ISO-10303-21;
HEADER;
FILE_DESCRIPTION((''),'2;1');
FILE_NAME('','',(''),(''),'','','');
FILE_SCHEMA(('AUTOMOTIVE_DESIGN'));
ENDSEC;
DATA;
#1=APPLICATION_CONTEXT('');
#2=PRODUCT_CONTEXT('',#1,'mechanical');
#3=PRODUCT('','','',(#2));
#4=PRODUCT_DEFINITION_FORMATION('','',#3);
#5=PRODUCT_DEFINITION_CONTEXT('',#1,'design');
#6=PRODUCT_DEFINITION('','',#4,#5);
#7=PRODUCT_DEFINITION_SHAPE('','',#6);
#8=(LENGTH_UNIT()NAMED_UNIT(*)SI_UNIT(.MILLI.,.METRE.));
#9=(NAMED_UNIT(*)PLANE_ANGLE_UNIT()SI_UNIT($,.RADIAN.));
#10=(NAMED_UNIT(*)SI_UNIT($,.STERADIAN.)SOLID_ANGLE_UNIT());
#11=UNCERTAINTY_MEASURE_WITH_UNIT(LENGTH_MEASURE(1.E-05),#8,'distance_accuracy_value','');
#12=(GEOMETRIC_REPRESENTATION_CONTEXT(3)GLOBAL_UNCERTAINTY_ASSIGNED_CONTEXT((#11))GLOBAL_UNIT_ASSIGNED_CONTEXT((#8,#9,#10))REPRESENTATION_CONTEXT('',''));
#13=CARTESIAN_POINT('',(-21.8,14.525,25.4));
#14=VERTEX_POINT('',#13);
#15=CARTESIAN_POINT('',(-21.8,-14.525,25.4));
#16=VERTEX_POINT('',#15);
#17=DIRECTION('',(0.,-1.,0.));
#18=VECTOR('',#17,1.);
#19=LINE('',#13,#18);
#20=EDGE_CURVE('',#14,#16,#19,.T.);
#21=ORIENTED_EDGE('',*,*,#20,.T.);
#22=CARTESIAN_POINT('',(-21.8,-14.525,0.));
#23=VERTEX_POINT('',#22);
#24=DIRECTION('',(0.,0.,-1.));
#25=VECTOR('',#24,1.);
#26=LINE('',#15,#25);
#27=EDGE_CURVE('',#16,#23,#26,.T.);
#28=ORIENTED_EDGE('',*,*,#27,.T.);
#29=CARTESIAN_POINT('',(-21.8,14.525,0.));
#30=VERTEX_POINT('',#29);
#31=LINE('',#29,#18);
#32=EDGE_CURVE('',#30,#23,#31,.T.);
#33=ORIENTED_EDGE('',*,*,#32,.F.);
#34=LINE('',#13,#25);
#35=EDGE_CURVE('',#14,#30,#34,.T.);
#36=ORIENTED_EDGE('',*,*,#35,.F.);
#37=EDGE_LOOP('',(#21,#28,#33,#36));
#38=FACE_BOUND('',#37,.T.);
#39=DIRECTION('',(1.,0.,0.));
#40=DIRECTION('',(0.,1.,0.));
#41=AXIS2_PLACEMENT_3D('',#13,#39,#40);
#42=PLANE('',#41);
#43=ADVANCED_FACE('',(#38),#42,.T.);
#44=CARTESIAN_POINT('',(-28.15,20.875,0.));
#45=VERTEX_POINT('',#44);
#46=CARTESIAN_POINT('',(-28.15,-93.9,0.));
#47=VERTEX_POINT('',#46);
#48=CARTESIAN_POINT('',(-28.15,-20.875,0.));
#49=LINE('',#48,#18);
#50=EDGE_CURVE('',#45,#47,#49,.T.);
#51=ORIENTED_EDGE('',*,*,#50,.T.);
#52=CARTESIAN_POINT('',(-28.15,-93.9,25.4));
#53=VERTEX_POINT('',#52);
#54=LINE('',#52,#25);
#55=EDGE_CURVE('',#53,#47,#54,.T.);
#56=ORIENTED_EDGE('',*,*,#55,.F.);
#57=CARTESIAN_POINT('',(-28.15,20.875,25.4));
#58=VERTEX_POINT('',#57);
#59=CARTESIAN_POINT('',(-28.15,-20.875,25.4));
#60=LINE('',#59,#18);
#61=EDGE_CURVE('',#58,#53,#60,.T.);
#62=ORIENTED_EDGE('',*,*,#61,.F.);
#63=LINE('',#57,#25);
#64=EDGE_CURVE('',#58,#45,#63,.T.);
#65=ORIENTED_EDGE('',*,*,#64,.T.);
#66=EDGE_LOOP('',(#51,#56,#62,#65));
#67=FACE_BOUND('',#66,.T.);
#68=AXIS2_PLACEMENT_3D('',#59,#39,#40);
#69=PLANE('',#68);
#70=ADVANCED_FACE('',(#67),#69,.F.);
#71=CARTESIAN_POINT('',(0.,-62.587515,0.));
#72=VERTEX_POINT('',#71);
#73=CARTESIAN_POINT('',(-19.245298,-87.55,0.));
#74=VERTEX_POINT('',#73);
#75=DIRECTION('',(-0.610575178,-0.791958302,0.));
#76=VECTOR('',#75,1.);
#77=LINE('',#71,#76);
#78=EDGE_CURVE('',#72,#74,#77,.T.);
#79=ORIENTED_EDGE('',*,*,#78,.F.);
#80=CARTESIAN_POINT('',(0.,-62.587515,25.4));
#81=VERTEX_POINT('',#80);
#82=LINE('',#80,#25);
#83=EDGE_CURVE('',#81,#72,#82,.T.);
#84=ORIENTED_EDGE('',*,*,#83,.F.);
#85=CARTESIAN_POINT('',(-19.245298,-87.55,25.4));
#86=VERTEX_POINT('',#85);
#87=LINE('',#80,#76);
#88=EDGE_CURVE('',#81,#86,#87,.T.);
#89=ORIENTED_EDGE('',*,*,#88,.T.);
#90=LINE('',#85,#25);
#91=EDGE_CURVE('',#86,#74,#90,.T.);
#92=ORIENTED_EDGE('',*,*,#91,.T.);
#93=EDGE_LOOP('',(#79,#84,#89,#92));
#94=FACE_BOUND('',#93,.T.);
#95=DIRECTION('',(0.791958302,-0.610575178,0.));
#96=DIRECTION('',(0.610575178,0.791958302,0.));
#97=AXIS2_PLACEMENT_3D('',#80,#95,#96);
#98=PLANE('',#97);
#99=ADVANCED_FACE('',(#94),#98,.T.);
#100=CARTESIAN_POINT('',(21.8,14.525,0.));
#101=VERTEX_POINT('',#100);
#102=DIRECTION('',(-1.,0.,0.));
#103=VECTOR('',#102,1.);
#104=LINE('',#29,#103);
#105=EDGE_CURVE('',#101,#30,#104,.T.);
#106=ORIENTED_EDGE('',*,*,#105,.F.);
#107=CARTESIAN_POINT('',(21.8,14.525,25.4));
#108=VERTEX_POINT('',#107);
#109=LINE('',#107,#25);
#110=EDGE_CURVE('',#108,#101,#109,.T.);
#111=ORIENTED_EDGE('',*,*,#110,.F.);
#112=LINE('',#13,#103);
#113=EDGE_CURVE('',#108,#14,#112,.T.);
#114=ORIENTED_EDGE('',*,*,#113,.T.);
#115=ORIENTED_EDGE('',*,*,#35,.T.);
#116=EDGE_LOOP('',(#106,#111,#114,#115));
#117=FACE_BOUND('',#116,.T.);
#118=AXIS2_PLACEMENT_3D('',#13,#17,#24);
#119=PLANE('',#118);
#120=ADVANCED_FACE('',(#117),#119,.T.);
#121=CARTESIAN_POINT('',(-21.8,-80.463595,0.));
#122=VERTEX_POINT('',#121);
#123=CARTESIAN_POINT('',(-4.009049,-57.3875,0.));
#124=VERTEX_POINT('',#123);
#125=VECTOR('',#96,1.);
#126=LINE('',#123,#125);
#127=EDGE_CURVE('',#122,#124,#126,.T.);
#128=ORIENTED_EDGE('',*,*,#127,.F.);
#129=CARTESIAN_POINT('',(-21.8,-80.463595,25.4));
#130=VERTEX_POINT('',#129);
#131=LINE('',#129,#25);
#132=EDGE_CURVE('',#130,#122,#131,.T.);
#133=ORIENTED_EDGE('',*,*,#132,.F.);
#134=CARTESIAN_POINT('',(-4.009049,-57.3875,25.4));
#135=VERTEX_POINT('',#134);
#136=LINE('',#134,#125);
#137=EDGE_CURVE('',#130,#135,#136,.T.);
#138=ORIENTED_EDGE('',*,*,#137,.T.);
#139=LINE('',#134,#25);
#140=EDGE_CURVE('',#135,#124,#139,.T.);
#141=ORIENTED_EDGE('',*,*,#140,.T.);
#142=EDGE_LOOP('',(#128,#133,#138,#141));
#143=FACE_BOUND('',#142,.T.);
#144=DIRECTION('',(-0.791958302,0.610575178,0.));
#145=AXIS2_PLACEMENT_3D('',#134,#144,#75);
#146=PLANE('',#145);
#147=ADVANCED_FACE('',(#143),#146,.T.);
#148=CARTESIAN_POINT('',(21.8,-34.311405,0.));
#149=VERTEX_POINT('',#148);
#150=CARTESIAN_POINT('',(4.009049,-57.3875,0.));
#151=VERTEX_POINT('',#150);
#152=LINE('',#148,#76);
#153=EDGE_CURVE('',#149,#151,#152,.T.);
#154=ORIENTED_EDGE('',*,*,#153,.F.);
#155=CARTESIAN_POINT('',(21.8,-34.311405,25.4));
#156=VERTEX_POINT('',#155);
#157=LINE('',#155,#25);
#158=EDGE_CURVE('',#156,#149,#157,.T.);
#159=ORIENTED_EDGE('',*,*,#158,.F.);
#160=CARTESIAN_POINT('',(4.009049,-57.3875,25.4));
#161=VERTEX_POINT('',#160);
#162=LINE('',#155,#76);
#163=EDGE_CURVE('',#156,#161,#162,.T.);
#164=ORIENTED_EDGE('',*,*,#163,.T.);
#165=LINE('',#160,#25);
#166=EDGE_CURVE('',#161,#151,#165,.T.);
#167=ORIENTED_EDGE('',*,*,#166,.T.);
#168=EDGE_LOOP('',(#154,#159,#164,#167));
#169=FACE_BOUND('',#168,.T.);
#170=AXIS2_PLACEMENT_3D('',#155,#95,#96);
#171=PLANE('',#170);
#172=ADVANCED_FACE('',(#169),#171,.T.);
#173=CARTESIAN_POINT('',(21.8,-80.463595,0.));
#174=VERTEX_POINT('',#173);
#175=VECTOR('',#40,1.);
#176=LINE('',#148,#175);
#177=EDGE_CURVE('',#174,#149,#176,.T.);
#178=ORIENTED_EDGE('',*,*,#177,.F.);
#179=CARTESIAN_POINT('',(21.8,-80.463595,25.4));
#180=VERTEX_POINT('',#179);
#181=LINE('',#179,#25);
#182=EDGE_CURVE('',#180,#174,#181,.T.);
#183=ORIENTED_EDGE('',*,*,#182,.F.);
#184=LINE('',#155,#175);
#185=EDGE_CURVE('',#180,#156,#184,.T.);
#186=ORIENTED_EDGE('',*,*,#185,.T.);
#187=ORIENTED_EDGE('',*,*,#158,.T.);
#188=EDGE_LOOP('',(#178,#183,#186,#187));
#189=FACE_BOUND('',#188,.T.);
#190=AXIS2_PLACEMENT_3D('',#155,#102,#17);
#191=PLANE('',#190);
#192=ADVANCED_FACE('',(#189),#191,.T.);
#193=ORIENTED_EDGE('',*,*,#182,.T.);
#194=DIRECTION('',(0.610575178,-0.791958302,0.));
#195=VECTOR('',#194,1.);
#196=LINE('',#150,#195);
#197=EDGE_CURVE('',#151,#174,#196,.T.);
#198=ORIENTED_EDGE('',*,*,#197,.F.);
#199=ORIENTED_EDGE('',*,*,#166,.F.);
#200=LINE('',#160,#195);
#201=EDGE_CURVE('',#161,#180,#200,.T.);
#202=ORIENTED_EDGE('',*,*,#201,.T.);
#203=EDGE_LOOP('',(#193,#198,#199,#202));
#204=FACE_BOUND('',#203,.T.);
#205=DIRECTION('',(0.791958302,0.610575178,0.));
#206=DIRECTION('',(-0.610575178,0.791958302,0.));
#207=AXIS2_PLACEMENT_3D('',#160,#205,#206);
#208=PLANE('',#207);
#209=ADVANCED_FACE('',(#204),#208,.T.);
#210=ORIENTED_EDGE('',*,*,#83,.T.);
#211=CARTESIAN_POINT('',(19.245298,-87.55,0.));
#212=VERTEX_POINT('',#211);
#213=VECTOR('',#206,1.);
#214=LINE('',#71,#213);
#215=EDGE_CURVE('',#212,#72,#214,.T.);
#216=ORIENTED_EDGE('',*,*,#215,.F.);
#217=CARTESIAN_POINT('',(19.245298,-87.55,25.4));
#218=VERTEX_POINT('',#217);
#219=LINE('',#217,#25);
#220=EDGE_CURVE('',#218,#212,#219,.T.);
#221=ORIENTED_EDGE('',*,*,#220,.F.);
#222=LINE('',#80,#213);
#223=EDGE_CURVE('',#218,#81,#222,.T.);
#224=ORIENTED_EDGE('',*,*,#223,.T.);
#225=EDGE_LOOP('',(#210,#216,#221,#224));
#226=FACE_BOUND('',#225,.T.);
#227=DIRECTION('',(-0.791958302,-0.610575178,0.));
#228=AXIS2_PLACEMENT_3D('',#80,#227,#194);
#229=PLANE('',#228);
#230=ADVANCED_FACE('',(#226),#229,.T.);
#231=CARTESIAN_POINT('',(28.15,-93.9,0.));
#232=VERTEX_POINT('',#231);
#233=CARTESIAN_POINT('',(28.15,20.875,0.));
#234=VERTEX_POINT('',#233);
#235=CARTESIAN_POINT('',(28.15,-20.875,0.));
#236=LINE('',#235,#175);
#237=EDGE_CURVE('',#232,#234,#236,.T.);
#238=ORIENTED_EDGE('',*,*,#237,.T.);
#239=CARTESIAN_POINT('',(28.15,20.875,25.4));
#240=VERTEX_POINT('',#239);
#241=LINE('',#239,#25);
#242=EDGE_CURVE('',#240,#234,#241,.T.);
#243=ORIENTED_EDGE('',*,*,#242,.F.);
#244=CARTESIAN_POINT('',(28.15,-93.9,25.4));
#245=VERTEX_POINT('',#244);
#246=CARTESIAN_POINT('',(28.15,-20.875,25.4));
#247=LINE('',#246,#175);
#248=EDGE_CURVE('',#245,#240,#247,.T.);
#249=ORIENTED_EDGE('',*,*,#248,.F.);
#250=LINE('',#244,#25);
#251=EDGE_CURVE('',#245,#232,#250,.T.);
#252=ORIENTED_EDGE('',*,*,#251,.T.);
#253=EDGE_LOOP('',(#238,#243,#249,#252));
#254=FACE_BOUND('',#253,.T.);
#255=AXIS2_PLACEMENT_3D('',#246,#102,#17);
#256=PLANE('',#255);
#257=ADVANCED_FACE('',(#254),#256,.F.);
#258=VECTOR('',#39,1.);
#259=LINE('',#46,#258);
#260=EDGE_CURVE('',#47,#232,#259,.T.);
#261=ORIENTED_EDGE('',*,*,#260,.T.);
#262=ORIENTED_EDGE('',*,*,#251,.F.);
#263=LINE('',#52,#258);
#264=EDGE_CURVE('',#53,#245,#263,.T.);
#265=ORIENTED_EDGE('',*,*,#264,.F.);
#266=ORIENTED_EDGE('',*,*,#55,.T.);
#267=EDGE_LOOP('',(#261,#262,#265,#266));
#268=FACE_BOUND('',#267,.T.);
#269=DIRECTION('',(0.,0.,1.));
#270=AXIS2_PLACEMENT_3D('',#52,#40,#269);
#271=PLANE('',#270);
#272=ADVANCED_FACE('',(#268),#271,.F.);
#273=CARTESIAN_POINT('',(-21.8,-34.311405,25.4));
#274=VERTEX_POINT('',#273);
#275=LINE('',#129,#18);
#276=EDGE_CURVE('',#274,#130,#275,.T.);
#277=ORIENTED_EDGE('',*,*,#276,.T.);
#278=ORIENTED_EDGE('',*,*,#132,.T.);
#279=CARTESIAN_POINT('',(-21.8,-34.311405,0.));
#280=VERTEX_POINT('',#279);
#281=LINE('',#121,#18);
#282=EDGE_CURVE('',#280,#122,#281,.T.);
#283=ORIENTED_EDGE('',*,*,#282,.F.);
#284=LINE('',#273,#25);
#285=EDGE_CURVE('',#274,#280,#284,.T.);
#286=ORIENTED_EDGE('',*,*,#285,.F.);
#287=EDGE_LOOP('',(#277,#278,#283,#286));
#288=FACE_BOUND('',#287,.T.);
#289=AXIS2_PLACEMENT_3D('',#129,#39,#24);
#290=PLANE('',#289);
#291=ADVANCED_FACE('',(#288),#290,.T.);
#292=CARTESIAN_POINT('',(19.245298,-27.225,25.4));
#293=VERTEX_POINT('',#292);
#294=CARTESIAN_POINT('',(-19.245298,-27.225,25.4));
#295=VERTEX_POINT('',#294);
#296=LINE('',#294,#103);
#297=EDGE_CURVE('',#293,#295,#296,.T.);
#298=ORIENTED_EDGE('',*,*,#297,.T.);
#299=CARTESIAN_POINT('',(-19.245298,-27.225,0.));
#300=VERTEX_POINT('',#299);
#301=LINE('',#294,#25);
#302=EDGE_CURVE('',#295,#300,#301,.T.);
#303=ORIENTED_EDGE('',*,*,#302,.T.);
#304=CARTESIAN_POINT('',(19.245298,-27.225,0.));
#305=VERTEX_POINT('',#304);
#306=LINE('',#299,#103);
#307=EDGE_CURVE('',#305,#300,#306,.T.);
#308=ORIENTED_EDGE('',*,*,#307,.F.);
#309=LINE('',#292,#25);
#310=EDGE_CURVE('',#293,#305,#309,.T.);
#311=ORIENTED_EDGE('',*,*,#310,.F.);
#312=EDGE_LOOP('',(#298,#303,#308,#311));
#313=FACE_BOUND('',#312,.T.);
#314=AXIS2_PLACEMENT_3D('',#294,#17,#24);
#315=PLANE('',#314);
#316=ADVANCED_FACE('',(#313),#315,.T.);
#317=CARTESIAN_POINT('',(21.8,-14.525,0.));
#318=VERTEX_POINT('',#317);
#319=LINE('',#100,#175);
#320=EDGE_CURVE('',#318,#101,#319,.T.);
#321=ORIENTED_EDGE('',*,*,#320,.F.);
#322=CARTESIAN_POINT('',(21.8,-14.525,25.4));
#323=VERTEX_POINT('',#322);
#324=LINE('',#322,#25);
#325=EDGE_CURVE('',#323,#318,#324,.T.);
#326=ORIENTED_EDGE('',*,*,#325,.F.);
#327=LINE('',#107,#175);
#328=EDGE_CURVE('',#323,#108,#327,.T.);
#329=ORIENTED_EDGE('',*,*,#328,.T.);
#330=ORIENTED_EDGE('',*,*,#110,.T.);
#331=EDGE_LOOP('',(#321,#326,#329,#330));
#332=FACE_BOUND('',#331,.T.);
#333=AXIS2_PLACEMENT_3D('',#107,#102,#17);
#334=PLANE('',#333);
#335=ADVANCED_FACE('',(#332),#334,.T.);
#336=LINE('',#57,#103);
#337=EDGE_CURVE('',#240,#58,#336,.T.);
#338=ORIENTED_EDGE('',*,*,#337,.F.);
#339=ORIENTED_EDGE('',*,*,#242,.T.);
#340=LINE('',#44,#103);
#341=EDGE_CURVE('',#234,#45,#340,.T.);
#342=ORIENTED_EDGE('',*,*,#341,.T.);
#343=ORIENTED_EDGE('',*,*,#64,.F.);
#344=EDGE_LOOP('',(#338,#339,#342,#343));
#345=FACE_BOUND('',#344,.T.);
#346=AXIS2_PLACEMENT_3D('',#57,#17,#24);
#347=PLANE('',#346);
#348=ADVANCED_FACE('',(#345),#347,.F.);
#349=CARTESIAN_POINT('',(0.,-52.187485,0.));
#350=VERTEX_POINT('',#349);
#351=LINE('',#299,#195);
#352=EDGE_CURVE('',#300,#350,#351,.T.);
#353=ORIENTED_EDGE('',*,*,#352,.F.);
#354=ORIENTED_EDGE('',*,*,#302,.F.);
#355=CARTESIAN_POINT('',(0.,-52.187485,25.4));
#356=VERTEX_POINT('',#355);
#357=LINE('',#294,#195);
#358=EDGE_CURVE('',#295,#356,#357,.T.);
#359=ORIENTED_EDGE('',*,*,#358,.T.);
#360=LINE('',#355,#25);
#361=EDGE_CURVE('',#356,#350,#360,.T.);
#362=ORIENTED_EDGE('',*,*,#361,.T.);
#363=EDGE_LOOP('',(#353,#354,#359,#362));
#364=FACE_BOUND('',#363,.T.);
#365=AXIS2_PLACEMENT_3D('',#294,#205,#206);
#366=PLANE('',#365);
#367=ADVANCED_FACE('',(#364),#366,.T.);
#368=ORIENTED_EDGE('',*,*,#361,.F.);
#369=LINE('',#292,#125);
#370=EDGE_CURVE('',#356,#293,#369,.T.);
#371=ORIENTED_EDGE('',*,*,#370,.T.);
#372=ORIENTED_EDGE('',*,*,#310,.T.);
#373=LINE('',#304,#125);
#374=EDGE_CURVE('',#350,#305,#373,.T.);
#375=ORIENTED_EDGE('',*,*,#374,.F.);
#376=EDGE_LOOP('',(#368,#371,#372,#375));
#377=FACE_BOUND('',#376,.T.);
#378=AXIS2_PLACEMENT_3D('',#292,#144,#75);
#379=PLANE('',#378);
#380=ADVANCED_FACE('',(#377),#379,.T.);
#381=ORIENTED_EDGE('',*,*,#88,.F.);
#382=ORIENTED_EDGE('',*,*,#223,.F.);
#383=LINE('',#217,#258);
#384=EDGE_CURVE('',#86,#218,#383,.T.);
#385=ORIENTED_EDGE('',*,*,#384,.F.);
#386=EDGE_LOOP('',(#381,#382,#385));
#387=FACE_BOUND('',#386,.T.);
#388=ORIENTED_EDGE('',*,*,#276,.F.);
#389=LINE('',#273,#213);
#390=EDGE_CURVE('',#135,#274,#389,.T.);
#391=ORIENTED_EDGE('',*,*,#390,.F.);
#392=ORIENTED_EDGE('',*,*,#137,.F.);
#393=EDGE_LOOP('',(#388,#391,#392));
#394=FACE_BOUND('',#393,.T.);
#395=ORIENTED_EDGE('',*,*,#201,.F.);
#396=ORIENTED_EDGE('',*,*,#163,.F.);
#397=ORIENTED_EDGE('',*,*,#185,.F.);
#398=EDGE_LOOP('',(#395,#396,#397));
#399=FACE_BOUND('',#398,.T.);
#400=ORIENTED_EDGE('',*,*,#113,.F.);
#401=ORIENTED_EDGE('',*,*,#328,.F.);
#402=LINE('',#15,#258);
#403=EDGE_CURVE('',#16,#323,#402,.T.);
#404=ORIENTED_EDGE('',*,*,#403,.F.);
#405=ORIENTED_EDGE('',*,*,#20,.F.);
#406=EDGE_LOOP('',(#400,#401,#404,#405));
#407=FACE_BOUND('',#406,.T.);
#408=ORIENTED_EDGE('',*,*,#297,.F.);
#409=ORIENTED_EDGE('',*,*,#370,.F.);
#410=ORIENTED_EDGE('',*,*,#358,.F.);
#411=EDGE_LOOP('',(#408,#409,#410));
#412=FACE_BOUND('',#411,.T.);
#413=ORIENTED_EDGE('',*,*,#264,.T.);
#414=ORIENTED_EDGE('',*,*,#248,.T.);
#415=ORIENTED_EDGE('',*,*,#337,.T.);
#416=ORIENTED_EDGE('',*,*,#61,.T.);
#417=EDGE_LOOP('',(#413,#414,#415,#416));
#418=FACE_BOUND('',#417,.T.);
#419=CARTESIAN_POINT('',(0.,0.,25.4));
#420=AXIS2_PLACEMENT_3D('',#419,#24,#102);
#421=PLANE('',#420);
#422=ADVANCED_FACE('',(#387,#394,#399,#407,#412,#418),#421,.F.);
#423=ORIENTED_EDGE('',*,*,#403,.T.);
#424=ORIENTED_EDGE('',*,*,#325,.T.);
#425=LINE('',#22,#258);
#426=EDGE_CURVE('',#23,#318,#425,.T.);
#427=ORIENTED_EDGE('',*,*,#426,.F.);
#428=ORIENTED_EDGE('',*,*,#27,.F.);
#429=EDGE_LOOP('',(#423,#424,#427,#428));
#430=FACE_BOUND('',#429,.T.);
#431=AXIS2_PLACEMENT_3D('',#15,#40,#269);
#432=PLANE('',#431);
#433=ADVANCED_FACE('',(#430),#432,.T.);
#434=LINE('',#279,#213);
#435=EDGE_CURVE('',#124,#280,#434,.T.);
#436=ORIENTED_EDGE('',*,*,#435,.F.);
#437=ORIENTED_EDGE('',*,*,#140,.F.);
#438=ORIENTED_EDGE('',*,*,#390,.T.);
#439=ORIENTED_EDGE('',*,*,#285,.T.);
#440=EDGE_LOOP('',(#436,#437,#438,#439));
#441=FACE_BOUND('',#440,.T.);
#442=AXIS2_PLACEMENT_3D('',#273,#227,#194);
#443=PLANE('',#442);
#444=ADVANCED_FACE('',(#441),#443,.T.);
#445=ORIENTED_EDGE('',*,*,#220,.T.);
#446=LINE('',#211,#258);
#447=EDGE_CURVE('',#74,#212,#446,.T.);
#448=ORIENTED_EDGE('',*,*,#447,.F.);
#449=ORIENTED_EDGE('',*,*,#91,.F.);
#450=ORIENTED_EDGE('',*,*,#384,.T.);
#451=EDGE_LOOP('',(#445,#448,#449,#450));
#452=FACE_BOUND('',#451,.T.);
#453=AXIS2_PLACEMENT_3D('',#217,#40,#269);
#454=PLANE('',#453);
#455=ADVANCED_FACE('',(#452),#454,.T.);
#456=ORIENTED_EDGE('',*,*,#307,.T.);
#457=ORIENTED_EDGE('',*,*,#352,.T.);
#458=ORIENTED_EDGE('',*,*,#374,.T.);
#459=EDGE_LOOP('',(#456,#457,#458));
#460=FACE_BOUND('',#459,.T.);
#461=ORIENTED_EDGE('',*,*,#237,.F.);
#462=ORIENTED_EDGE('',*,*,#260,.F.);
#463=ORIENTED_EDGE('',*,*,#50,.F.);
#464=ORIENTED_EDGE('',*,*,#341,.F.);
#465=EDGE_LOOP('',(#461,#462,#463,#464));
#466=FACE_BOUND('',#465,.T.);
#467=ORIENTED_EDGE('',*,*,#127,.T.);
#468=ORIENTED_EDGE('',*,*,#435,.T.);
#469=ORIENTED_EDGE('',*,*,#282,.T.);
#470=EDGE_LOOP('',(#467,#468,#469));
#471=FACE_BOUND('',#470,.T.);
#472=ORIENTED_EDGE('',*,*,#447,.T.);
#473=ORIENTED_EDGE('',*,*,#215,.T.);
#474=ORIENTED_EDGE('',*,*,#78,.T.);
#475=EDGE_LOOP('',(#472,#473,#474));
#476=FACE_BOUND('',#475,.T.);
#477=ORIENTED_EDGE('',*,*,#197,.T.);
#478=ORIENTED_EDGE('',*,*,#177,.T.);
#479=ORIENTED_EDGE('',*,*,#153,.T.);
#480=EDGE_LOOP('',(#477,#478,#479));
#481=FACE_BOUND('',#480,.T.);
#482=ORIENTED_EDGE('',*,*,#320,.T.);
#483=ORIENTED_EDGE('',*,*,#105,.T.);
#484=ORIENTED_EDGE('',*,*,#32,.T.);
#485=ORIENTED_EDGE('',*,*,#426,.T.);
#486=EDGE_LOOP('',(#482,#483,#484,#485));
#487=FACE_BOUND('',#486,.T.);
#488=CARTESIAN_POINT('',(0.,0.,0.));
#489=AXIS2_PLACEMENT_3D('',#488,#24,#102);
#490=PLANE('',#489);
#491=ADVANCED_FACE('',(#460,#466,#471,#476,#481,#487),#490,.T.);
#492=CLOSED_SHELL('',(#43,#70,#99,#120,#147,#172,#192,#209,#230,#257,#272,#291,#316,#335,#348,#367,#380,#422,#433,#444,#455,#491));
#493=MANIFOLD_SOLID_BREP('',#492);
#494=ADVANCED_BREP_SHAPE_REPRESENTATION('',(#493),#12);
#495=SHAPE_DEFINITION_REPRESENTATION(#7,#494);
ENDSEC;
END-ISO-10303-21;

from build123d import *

# Parameters (mm, degrees)
SKETCH1_W           = 43.599999922
SKETCH1_H           = 29.050000066
BOSS_EXTRUDE1_DEPTH = 25.4


with BuildPart() as part:
    # Sketch1 → Boss-Extrude1 (new body)
    with BuildSketch(Plane.XY):
        Polygon((-28.149999961, -20.875000033), (-28.149999961, 20.875000033), (28.149999961, 20.875000033), (28.149999961, -20.875000033), (28.149999961, -93.900000033), (-28.149999961, -93.900000033), align=None)
        Rectangle(SKETCH1_W, SKETCH1_H, mode=Mode.SUBTRACT)
        Polygon((-19.245298339, -27.225000033), (0, -52.187485168), (19.245298339, -27.225000033), align=None, mode=Mode.SUBTRACT)
        Polygon((21.799999961, -34.311404785), (4.009049455, -57.387500033), (21.799999961, -80.463595281), align=None, mode=Mode.SUBTRACT)
        Polygon((-4.009049455, -57.387500033), (-21.799999961, -80.463595281), (-21.799999961, -34.311404785), align=None, mode=Mode.SUBTRACT)
        Polygon((0, -62.587514898), (-19.245298339, -87.550000033), (19.245298339, -87.550000033), align=None, mode=Mode.SUBTRACT)
    extrude(amount=BOSS_EXTRUDE1_DEPTH)


solid = part.part
